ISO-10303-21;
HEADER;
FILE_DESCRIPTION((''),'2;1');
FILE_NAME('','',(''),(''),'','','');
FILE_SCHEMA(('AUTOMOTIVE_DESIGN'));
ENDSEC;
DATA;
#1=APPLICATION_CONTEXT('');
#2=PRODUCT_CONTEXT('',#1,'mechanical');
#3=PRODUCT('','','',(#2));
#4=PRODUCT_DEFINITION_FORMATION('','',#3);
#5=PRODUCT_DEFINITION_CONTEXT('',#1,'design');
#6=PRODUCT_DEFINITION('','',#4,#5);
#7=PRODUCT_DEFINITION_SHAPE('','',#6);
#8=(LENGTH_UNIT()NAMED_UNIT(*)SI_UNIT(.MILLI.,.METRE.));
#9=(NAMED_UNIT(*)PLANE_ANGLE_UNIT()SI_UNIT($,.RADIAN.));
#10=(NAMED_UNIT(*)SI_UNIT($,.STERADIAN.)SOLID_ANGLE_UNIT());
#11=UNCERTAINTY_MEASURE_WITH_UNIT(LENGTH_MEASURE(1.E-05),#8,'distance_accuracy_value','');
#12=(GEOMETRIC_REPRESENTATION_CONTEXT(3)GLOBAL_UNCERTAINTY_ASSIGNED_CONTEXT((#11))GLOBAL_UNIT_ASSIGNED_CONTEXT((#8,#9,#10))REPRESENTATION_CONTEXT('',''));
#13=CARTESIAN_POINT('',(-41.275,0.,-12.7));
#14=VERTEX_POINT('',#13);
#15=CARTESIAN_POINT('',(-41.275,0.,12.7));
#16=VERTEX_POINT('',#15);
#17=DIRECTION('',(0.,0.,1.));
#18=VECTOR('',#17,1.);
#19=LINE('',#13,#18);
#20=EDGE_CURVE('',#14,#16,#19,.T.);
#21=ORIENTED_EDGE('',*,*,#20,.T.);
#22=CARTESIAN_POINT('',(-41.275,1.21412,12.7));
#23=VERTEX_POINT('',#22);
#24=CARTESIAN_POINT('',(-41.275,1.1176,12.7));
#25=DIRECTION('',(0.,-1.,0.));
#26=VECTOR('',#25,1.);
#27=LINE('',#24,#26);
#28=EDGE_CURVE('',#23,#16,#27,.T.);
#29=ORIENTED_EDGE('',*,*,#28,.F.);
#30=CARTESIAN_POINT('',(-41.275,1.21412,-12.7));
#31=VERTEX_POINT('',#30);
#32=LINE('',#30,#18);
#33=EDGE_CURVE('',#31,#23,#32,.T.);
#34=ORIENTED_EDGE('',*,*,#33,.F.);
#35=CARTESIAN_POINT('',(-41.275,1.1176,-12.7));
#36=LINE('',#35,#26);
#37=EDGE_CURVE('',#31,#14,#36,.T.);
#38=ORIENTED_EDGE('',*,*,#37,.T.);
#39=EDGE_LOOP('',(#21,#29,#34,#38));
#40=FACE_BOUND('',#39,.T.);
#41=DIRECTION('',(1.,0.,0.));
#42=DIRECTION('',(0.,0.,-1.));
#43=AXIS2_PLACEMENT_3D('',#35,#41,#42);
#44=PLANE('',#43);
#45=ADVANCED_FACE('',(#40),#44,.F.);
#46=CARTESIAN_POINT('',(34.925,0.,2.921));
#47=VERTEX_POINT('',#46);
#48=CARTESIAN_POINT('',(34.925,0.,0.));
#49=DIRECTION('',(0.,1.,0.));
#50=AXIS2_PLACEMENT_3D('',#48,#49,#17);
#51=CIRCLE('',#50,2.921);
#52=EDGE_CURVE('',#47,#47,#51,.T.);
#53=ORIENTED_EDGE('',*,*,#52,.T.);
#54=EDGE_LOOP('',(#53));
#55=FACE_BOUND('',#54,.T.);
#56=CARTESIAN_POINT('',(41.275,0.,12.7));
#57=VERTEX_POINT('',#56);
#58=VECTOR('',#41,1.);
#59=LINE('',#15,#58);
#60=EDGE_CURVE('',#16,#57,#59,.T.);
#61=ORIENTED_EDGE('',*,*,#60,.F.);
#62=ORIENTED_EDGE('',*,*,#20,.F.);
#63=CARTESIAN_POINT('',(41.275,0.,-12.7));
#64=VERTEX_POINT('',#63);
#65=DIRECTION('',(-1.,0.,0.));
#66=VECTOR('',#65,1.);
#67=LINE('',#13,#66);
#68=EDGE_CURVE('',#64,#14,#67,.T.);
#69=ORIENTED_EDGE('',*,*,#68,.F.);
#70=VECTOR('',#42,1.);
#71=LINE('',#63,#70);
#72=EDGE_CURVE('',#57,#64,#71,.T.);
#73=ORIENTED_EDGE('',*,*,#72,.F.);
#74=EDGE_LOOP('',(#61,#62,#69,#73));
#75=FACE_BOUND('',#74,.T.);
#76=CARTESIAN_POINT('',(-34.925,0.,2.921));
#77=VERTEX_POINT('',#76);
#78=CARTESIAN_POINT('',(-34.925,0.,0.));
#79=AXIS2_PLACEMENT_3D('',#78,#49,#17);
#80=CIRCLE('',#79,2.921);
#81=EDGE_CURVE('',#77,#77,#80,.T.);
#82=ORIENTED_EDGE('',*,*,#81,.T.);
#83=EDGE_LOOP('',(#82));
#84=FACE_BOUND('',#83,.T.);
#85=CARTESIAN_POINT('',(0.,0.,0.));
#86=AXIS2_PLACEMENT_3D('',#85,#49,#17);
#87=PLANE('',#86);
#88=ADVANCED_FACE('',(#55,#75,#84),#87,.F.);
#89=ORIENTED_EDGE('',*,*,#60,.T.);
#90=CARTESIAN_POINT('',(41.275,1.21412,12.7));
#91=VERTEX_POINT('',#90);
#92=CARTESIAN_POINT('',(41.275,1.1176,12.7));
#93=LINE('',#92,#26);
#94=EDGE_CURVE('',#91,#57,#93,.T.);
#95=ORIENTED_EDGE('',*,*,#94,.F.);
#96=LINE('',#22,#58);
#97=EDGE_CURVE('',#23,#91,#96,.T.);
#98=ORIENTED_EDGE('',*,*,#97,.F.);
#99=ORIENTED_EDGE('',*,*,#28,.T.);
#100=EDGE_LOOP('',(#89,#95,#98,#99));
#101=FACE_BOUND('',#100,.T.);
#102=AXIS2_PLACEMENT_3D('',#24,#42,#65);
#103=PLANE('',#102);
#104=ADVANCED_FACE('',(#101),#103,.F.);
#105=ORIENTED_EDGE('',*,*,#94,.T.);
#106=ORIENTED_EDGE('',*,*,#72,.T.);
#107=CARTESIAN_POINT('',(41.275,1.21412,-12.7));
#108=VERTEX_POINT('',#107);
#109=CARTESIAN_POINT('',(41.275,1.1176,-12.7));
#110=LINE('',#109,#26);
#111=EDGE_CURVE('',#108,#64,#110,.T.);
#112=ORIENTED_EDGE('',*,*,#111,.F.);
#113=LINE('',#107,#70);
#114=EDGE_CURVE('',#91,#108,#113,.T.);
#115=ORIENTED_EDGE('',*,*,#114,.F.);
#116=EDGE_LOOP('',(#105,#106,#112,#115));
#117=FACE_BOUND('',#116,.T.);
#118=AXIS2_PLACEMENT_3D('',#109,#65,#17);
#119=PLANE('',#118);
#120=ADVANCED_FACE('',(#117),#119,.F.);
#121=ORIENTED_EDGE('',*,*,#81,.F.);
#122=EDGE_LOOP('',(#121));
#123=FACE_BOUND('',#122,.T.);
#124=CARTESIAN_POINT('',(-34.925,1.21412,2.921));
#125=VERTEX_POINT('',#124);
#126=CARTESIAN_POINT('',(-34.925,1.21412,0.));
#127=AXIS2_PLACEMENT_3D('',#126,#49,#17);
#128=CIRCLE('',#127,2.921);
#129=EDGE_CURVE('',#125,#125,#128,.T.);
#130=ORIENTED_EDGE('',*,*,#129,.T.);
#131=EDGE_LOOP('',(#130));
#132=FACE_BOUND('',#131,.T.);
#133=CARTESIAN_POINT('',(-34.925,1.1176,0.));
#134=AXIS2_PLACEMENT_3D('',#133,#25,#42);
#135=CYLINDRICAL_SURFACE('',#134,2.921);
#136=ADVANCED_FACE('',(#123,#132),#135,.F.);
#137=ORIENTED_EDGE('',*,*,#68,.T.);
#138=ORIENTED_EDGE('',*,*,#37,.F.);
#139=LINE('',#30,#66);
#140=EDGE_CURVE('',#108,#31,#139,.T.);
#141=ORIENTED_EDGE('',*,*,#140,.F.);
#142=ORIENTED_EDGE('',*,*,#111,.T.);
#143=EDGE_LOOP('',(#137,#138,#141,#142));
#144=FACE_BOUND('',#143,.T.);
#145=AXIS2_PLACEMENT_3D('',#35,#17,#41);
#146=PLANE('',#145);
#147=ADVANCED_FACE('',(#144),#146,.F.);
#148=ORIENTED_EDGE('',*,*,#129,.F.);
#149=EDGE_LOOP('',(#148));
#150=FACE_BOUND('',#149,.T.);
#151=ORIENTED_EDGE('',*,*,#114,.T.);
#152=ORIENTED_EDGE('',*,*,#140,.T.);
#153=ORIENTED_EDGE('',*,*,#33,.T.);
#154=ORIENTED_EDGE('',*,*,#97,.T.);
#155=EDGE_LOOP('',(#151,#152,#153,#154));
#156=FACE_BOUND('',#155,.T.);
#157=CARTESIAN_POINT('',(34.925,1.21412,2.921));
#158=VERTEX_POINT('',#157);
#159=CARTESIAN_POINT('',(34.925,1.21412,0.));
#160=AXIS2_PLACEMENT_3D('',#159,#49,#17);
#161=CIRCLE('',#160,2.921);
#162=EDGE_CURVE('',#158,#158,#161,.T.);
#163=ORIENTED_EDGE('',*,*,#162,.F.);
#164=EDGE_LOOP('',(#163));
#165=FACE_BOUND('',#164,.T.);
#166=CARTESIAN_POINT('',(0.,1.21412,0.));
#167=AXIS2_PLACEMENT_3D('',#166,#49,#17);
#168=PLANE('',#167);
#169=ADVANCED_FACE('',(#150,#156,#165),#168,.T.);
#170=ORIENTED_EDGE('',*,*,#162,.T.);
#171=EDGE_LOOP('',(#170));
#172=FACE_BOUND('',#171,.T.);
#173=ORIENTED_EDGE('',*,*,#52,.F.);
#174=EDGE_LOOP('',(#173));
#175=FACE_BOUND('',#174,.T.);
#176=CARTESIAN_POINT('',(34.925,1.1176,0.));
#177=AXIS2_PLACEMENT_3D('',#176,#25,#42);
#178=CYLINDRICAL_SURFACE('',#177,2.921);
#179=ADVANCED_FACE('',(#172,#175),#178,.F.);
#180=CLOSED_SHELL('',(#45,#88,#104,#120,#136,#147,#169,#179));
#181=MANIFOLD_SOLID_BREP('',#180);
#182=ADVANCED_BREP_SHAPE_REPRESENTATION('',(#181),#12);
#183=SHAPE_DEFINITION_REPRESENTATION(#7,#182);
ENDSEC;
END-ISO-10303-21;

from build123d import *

# Parameters (mm, degrees)
SKETCH1_W           = 82.55
SKETCH1_H           = 25.4
SKETCH1_R           = 2.921
BOSS_EXTRUDE1_DEPTH = 1.1176
MOVE_FACE2_BY       = 0.09652


with BuildPart() as part:
    # Sketch1 → Boss-Extrude1 (new body)
    with BuildSketch(Plane(origin=(0, 0, 0), x_dir=(1, 0, 0), z_dir=(0, 1, 0))):
        Rectangle(SKETCH1_W, SKETCH1_H)
        with Locations(Location((-34.925, 0, 0), (0, 0, 270))):
            Circle(SKETCH1_R, mode=Mode.SUBTRACT)
        with Locations(Location((34.925, 0, 0), (0, 0, 270))):
            Circle(SKETCH1_R, mode=Mode.SUBTRACT)
    extrude(amount=BOSS_EXTRUDE1_DEPTH)

    # Move Face2: a face moved outward by 0.09652
    extrude(part.faces().sort_by_distance((0, 1.1176, 0))[0], amount=MOVE_FACE2_BY, dir=(0, 1, 0))


solid = part.part
